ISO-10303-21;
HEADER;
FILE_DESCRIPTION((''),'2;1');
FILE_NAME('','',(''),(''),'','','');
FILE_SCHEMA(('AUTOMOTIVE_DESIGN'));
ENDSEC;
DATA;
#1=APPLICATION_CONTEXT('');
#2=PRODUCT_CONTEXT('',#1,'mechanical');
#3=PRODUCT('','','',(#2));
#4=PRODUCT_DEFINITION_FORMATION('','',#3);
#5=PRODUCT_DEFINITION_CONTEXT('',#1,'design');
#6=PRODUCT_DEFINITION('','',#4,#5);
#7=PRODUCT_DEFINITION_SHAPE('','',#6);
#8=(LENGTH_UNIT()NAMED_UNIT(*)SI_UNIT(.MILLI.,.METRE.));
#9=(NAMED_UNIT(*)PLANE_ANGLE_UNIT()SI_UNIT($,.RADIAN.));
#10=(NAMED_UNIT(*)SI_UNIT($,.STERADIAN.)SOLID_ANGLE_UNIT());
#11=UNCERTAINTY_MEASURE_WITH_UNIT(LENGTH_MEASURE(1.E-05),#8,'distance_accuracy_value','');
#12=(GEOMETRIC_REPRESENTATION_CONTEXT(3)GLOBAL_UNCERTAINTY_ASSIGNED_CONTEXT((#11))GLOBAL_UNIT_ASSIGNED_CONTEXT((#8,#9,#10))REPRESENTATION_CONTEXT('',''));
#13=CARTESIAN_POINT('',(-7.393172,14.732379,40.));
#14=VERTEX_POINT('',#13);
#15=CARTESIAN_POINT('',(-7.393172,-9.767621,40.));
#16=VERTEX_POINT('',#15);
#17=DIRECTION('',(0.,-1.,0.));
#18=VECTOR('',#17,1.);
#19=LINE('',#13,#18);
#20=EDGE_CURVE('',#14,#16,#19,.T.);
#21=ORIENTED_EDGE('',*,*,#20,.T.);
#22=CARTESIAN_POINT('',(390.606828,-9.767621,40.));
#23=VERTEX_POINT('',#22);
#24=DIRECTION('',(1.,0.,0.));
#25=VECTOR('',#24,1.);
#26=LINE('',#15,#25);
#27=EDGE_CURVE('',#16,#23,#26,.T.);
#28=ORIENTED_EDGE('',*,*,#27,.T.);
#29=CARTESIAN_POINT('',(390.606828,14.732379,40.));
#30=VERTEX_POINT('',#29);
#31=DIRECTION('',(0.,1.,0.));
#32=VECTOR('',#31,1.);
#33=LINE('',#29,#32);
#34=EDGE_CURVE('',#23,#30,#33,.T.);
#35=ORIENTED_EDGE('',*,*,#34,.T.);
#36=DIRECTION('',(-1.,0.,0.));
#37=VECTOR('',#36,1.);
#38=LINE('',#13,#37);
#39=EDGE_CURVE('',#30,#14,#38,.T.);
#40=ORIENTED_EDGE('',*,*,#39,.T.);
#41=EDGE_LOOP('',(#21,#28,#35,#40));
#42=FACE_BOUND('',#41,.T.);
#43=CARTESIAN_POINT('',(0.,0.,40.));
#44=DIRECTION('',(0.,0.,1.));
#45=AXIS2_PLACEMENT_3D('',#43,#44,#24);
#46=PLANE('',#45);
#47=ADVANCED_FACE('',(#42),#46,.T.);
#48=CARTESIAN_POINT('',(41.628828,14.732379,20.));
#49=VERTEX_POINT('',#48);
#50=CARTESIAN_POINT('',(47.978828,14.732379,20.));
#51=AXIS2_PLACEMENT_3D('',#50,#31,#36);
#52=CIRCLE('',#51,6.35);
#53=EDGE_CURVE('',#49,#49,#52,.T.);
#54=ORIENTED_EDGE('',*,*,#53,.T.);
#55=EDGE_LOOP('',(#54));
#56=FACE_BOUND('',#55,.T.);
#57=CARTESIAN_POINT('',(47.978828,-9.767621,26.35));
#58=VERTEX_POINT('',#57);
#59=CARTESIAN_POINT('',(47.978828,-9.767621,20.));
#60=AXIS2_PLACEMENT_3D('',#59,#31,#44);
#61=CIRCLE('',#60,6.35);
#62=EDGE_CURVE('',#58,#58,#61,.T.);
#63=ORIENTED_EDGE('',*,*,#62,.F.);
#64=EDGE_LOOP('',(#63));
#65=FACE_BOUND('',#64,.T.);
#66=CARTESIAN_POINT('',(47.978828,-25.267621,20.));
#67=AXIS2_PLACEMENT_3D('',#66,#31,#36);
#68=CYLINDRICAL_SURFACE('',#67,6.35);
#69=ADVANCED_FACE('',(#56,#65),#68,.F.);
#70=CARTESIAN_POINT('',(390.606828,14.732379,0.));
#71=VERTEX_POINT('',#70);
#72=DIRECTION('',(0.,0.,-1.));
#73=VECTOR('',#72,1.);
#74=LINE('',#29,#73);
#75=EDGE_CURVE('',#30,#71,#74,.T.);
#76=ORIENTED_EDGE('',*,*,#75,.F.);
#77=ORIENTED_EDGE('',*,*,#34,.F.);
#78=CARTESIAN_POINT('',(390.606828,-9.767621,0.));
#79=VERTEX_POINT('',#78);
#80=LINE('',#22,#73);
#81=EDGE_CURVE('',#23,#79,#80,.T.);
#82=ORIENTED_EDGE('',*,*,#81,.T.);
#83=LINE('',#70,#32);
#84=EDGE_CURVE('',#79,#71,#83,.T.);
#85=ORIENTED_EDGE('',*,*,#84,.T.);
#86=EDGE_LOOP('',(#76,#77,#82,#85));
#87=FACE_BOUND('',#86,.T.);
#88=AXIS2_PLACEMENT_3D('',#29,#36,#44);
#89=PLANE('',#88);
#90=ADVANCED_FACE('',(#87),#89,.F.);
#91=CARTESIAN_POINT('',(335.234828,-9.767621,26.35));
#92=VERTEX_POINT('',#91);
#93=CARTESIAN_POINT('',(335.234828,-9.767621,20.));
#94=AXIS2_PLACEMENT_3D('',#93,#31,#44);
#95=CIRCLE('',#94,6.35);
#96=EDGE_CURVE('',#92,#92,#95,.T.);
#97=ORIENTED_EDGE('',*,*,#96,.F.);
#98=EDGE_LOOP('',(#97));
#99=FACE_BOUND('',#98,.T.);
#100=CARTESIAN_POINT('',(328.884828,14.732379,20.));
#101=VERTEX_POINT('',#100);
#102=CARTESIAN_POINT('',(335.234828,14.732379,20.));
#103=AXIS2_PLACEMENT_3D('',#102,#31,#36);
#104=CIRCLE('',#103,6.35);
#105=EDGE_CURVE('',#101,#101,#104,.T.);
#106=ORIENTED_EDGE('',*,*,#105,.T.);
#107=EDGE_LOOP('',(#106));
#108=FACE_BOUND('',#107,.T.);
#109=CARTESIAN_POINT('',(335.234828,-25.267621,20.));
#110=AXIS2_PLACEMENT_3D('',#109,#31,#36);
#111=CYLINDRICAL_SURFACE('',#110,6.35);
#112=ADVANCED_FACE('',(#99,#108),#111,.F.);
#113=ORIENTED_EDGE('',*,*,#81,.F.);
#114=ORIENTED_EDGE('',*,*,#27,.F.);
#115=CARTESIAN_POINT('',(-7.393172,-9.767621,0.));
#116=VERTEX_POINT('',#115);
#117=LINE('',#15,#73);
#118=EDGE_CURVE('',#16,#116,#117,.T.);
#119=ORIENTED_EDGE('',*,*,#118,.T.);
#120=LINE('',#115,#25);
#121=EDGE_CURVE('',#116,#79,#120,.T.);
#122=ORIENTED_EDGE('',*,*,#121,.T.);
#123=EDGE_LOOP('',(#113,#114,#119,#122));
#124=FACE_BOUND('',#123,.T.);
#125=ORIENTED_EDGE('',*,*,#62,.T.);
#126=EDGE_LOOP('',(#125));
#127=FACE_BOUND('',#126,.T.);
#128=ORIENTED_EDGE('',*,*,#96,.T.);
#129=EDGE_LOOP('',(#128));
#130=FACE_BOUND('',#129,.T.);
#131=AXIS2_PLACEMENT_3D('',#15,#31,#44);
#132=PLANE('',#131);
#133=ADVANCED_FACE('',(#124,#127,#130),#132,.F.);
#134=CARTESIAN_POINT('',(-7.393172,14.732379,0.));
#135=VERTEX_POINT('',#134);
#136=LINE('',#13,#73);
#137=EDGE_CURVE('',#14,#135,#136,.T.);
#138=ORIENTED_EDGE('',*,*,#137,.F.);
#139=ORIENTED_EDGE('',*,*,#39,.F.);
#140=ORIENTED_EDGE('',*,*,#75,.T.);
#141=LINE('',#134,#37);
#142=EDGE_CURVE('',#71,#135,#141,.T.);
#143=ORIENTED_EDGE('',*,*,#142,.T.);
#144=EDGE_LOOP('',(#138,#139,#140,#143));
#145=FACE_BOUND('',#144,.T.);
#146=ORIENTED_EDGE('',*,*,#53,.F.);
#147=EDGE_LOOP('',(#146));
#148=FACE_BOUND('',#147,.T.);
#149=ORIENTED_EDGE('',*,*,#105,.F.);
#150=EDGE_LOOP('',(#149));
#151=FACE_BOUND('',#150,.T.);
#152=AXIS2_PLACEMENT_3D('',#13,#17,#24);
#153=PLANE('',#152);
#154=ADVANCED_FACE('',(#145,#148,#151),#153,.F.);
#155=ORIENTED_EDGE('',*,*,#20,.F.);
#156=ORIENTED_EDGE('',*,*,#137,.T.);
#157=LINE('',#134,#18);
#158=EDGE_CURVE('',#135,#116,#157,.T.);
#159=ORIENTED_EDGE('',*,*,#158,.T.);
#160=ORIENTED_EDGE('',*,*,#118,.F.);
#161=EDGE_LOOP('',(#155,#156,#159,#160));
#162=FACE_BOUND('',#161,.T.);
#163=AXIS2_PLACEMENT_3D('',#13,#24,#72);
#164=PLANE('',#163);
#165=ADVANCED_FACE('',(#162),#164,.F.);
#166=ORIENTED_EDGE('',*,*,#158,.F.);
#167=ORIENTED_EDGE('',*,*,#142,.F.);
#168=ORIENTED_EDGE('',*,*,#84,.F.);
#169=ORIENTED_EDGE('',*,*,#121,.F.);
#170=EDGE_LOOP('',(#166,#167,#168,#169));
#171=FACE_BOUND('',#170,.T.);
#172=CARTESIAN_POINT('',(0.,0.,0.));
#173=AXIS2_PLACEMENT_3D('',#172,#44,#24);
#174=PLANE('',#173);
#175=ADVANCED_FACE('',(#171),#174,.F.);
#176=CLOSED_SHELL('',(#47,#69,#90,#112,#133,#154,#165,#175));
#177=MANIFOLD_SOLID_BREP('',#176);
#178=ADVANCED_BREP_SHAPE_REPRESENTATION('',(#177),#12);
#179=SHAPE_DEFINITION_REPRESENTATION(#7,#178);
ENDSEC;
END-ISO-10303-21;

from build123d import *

# Parameters (mm, degrees)
SKETCH1_W           = 398
SKETCH1_H           = 24.5
BOSS_EXTRUDE1_DEPTH = 40
SKETCH4_R           = 6.35
CUT_EXTRUDE1_DEPTH  = 40


with BuildPart() as part:
    # Sketch1 → Boss-Extrude1 (new body)
    with BuildSketch(Plane.XY):
        with Locations((191.606828194, 2.482378855)):
            Rectangle(SKETCH1_W, SKETCH1_H)
    extrude(amount=BOSS_EXTRUDE1_DEPTH)

    # Sketch4 → Cut-Extrude1 (cut)
    with BuildSketch(Plane(origin=(0, 14.732378855, 0), x_dir=(1, 0, 0), z_dir=(0, 1, 0))):
        with Locations(Location((335.234828194, -20, 0), (0, 0, 180))):
            Circle(SKETCH4_R)
        with Locations(Location((47.978828194, -20, 0), (0, 0, 180))):
            Circle(SKETCH4_R)
    extrude(amount=-CUT_EXTRUDE1_DEPTH, mode=Mode.SUBTRACT)


solid = part.part
